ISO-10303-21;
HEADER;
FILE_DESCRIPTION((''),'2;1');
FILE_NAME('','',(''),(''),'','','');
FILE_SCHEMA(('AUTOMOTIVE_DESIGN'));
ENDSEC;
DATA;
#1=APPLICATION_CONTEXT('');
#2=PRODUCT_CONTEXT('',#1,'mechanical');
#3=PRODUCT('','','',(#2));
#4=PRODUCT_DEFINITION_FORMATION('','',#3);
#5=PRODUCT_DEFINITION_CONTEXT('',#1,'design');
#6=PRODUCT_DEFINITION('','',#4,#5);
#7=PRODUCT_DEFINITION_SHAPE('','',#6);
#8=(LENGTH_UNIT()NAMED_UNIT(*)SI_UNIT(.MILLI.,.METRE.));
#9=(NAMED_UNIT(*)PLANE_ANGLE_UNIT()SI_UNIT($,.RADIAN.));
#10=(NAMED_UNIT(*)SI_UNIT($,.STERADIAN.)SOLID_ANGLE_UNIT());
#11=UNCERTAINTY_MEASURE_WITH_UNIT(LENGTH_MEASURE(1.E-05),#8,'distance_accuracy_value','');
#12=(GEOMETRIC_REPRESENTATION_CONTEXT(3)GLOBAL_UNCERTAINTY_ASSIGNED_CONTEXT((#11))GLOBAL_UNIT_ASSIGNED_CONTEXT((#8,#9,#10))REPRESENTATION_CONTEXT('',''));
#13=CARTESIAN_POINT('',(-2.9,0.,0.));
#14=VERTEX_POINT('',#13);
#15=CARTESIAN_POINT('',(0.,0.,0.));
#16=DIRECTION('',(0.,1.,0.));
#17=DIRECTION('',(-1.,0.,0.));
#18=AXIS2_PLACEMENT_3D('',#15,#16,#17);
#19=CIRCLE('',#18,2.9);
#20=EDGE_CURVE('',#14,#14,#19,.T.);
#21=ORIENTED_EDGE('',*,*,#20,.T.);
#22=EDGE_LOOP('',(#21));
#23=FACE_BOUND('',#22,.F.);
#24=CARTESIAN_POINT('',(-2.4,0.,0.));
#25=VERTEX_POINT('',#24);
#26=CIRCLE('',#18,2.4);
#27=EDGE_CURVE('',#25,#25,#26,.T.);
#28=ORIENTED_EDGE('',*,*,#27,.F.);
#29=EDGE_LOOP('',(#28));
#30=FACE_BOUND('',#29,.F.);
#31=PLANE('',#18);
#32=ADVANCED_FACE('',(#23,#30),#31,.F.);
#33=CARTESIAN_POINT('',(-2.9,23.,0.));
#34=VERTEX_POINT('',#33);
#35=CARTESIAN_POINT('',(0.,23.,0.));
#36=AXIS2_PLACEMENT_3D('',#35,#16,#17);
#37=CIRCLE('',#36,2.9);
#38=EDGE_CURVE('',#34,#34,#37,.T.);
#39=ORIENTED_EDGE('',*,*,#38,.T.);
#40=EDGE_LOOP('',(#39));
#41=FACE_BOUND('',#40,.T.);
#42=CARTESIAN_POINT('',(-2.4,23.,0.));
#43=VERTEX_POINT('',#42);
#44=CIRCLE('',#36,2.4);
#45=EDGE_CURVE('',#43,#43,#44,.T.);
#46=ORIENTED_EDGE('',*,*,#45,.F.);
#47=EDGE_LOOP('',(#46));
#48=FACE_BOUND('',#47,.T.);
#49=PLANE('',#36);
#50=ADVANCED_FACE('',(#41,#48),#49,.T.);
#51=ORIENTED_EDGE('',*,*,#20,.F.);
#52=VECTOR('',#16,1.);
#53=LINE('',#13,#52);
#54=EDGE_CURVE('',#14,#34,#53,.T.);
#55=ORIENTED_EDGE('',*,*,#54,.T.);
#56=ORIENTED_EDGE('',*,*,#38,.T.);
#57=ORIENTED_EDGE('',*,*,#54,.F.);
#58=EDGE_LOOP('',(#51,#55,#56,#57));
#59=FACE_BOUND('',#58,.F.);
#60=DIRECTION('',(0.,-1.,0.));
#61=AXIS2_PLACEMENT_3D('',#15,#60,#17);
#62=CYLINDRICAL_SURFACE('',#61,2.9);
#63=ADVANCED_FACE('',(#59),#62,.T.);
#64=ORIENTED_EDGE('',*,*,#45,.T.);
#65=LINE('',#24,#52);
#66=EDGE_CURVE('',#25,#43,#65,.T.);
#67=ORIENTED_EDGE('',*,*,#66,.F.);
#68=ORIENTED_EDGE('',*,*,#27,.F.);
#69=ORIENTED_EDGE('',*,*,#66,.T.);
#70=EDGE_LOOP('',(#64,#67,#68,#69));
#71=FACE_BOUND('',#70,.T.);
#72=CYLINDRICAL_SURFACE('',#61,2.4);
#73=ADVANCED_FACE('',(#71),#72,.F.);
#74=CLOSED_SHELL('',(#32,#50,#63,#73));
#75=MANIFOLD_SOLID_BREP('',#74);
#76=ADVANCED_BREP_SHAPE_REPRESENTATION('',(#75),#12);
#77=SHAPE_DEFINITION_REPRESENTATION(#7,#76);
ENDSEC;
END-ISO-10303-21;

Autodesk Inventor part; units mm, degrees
ref_plane "YZ Plane" through (0, 0, 0) normal (1, 0, 0) x (0, 1, 0)
ref_plane "XZ Plane" through (0, 0, 0) normal (0, 1, 0) x (-1, 0, 0)
ref_plane "XY Plane" through (0, 0, 0) normal (0, 0, 1) x (1, 0, 0)
sketch "Sketch1" plane through (0, 0, 0) normal (0, 1, 0) x (-1, 0, 0)
  circle A0 centre (0, 0) radius 2.4
  circle A1 centre (0, 0) radius 2.9
  dimension "d0" = 4.8
  dimension "d1" = 5.8
extrude "Extrusion1" add sketch "Sketch1" along normal blind 23
properties part number "spring"
